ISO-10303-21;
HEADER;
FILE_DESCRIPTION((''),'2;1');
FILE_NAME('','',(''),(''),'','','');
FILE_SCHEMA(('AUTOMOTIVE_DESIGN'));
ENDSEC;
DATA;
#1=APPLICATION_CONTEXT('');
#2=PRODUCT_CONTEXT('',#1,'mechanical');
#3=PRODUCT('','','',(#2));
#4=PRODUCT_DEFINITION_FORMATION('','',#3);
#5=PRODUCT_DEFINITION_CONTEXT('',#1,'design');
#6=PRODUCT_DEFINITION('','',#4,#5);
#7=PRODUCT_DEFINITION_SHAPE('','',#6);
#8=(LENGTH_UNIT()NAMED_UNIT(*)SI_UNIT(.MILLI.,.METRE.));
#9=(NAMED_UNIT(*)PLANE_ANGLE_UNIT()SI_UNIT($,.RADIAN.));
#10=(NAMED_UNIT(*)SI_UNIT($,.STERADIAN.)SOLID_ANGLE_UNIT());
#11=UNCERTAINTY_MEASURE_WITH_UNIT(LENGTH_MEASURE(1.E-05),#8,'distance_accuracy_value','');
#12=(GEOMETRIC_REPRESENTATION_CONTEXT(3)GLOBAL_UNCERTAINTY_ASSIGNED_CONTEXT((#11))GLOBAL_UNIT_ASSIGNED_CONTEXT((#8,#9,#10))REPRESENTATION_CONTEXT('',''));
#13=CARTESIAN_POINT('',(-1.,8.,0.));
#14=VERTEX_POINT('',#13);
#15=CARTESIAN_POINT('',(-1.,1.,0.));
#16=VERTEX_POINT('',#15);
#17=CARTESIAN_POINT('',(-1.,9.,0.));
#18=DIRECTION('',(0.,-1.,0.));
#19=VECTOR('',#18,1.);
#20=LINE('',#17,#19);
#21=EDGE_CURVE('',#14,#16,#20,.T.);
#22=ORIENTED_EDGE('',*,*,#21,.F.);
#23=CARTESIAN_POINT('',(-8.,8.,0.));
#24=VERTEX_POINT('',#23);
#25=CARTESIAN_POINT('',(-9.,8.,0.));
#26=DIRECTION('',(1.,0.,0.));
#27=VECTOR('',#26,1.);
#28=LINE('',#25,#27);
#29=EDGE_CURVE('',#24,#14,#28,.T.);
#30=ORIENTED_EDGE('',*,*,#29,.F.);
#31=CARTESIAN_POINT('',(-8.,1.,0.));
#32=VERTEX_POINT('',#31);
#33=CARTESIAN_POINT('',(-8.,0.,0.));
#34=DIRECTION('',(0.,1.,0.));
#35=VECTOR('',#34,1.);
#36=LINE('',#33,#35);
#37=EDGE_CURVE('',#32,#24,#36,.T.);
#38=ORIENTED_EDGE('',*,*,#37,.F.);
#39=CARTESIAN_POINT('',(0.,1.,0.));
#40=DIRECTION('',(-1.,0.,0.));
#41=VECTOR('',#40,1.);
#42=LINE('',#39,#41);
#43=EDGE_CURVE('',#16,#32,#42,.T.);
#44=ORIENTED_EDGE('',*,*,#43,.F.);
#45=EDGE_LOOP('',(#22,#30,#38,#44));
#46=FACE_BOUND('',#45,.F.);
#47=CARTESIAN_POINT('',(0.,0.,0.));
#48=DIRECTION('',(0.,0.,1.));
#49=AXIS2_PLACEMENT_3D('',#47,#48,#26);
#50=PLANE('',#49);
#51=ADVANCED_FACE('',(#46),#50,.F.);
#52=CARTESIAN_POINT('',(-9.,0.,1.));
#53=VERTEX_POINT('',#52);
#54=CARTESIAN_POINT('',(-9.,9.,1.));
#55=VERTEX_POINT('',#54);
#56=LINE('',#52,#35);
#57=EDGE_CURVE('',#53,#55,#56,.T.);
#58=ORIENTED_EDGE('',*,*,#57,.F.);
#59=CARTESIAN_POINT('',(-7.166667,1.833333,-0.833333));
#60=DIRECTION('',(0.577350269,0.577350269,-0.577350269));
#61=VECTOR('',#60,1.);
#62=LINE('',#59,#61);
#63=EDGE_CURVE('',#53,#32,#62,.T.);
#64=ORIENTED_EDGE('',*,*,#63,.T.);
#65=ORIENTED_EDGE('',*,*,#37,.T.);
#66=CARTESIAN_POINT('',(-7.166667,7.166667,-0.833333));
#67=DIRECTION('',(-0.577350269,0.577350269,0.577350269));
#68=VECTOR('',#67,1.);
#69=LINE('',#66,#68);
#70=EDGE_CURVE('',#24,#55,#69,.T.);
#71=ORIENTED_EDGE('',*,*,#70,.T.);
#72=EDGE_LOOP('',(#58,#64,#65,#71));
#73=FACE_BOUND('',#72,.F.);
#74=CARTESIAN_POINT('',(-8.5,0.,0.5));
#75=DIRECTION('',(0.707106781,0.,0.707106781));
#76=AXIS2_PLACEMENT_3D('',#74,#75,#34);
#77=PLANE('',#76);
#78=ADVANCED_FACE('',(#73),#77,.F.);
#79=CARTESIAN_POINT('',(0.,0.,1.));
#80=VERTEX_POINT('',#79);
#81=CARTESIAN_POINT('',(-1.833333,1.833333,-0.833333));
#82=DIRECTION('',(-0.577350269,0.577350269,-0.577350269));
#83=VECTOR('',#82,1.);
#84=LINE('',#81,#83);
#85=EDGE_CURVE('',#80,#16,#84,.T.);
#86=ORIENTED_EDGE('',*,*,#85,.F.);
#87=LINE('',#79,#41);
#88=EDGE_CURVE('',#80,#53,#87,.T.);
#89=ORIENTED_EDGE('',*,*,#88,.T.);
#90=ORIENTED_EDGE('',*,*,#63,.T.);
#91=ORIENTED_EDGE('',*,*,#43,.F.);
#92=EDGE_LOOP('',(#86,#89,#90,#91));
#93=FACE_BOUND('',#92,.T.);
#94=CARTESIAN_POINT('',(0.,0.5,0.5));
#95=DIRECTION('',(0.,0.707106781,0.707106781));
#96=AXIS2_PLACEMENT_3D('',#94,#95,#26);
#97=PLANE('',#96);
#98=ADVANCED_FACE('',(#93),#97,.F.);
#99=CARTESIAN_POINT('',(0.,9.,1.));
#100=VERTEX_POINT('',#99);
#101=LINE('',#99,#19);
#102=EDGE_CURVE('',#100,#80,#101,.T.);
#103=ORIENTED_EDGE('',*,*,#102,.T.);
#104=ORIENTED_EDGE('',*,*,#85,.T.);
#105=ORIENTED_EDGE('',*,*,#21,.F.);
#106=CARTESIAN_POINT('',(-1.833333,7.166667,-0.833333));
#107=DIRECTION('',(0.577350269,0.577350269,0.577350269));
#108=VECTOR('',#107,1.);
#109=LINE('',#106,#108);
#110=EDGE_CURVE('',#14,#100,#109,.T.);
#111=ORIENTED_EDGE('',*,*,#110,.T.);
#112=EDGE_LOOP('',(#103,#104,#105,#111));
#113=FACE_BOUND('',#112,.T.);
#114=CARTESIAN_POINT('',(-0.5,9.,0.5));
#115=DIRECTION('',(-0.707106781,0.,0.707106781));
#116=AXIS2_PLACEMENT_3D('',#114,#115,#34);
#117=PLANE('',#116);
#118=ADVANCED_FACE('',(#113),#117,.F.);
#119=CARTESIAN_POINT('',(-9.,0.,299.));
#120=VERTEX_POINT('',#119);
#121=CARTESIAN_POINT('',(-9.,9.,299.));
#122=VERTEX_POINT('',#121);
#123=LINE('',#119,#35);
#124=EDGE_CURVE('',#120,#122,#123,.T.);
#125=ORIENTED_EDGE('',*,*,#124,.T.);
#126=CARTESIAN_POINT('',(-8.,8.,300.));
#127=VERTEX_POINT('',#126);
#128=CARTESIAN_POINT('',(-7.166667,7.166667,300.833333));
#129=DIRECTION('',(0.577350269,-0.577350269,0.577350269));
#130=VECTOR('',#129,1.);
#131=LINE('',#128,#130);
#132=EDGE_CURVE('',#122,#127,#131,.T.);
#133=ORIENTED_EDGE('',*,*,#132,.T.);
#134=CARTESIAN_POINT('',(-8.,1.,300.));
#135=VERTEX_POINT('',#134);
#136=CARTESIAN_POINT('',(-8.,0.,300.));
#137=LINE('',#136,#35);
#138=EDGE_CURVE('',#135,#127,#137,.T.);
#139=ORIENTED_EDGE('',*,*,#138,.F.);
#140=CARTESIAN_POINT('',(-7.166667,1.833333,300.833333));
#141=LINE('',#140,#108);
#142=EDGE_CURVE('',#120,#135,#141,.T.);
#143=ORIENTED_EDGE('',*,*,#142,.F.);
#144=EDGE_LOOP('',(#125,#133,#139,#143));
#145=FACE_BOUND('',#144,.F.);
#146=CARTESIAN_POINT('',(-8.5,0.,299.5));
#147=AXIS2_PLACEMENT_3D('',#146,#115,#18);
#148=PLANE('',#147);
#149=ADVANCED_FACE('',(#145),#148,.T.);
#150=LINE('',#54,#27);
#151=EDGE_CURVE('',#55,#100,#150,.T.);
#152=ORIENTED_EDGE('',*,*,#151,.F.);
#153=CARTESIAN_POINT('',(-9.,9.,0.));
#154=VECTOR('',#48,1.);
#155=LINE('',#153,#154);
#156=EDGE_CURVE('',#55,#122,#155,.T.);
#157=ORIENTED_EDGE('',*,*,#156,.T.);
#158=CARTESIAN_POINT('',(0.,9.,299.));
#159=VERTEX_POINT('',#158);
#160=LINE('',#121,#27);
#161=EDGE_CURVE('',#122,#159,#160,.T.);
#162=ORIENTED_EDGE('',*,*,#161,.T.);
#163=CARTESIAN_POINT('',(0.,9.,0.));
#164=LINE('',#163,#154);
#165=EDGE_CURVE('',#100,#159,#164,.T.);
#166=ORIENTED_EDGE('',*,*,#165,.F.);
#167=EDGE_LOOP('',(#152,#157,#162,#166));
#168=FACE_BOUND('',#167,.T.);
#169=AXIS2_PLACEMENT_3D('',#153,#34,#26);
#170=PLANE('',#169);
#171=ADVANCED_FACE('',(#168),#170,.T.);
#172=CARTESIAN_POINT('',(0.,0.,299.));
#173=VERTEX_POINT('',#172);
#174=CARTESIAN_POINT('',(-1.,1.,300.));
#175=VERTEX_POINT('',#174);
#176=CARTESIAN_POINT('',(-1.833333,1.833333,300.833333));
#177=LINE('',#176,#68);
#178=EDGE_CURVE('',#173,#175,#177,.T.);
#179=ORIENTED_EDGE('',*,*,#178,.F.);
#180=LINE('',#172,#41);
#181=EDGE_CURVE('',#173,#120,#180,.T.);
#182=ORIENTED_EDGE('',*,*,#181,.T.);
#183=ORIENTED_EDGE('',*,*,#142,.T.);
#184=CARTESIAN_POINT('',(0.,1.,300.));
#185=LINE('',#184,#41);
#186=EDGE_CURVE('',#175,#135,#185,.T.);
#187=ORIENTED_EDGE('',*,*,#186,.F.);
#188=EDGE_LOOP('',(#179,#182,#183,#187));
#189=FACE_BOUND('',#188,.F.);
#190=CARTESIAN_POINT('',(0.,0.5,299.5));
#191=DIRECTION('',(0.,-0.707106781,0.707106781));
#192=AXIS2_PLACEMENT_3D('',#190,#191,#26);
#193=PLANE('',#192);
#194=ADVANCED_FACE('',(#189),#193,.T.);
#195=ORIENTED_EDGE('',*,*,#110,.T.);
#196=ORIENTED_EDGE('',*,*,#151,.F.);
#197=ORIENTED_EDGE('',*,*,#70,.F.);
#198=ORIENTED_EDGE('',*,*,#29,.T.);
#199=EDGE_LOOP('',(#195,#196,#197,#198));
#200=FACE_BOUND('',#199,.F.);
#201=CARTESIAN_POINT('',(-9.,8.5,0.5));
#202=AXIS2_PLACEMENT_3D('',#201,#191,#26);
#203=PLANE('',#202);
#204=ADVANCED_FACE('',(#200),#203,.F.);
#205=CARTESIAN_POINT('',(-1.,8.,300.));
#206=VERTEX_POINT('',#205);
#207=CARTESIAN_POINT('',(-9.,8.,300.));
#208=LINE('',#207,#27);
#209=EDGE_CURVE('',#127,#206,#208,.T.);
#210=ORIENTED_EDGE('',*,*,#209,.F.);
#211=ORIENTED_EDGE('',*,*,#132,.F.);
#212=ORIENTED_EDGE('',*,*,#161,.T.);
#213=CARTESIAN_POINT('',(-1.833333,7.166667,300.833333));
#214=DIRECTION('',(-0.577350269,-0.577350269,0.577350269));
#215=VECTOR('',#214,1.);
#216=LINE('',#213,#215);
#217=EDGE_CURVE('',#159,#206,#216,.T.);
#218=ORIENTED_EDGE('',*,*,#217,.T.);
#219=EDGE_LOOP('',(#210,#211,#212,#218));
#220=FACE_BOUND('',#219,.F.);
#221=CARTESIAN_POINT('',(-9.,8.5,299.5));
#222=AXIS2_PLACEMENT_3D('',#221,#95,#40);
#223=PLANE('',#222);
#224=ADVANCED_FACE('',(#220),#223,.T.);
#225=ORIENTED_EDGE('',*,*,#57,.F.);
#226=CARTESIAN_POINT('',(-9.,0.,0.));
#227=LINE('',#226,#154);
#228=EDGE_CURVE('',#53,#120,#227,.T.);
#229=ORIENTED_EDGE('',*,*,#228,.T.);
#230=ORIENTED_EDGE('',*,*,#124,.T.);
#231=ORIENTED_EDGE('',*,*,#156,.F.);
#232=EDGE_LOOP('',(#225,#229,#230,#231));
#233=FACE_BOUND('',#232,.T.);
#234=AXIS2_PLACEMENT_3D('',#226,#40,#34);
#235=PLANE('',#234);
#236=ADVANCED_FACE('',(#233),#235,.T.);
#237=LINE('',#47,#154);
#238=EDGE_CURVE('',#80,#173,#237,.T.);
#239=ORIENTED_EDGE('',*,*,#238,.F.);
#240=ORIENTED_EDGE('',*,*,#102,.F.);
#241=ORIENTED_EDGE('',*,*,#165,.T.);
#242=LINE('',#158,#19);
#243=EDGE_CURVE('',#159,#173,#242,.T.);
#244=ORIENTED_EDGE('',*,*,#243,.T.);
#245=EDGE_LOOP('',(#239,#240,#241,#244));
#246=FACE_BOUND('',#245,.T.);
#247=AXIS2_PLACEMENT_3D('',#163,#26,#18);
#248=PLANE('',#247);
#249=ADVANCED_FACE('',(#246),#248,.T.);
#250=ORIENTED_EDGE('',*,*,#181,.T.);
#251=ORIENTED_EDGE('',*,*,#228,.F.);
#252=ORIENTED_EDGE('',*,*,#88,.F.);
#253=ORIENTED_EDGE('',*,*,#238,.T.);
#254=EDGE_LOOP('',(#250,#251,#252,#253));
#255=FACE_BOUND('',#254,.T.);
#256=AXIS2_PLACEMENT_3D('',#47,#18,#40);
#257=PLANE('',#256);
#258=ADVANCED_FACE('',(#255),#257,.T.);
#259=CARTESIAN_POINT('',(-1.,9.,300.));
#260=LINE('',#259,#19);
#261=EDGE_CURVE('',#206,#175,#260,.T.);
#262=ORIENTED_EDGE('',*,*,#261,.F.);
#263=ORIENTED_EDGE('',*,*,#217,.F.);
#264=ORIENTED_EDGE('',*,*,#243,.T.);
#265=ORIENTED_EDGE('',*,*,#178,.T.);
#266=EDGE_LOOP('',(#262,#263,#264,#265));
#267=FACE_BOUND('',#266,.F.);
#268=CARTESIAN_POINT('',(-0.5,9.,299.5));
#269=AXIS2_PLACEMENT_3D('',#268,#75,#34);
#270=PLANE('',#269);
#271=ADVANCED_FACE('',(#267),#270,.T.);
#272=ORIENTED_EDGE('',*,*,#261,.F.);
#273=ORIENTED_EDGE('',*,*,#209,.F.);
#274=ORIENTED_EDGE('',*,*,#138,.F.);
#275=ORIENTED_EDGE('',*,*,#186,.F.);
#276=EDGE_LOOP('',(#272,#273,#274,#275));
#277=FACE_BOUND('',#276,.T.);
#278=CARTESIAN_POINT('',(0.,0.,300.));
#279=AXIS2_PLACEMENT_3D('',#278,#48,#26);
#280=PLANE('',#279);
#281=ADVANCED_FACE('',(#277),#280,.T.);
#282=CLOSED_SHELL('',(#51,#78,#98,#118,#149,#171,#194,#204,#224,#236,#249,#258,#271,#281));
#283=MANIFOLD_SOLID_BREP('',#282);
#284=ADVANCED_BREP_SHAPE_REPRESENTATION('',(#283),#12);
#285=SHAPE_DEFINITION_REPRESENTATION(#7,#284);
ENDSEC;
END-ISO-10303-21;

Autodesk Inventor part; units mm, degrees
ref_plane "YZ Plane" through (0, 0, 0) normal (1, 0, 0) x (0, 1, 0)
ref_plane "XZ Plane" through (0, 0, 0) normal (0, 1, 0) x (-1, 0, 0)
ref_plane "XY Plane" through (0, 0, 0) normal (0, 0, 1) x (1, 0, 0)
sketch "Sketch1" plane through (0, 0, 0) normal (0, 0, 1) x (1, 0, 0)
  line L0 (0, 0) -> (-9, 0)
  line L1 (-9, 0) -> (-9, 9)
  line L2 (-9, 9) -> (0, 9)
  line L3 (0, 9) -> (0, 0)
  dimension "d0" = 9
  dimension "d1" = 9
extrude "Extrusion1" add sketch "Sketch1" along normal blind 300
chamfer "Chamfer1" distance 1 angle 45 4 edges at (-4.5, 9, 300) (0, 4.5, 300) (-4.5, 0, 300) (-9, 4.5, 300)
chamfer "Chamfer2" distance 1 angle 45 4 edges at (-4.5, 9, 0) (0, 4.5, 0) (-4.5, 0, 0) (-9, 4.5, 0)
properties part number "Elbow_Both_Rod_V1"
